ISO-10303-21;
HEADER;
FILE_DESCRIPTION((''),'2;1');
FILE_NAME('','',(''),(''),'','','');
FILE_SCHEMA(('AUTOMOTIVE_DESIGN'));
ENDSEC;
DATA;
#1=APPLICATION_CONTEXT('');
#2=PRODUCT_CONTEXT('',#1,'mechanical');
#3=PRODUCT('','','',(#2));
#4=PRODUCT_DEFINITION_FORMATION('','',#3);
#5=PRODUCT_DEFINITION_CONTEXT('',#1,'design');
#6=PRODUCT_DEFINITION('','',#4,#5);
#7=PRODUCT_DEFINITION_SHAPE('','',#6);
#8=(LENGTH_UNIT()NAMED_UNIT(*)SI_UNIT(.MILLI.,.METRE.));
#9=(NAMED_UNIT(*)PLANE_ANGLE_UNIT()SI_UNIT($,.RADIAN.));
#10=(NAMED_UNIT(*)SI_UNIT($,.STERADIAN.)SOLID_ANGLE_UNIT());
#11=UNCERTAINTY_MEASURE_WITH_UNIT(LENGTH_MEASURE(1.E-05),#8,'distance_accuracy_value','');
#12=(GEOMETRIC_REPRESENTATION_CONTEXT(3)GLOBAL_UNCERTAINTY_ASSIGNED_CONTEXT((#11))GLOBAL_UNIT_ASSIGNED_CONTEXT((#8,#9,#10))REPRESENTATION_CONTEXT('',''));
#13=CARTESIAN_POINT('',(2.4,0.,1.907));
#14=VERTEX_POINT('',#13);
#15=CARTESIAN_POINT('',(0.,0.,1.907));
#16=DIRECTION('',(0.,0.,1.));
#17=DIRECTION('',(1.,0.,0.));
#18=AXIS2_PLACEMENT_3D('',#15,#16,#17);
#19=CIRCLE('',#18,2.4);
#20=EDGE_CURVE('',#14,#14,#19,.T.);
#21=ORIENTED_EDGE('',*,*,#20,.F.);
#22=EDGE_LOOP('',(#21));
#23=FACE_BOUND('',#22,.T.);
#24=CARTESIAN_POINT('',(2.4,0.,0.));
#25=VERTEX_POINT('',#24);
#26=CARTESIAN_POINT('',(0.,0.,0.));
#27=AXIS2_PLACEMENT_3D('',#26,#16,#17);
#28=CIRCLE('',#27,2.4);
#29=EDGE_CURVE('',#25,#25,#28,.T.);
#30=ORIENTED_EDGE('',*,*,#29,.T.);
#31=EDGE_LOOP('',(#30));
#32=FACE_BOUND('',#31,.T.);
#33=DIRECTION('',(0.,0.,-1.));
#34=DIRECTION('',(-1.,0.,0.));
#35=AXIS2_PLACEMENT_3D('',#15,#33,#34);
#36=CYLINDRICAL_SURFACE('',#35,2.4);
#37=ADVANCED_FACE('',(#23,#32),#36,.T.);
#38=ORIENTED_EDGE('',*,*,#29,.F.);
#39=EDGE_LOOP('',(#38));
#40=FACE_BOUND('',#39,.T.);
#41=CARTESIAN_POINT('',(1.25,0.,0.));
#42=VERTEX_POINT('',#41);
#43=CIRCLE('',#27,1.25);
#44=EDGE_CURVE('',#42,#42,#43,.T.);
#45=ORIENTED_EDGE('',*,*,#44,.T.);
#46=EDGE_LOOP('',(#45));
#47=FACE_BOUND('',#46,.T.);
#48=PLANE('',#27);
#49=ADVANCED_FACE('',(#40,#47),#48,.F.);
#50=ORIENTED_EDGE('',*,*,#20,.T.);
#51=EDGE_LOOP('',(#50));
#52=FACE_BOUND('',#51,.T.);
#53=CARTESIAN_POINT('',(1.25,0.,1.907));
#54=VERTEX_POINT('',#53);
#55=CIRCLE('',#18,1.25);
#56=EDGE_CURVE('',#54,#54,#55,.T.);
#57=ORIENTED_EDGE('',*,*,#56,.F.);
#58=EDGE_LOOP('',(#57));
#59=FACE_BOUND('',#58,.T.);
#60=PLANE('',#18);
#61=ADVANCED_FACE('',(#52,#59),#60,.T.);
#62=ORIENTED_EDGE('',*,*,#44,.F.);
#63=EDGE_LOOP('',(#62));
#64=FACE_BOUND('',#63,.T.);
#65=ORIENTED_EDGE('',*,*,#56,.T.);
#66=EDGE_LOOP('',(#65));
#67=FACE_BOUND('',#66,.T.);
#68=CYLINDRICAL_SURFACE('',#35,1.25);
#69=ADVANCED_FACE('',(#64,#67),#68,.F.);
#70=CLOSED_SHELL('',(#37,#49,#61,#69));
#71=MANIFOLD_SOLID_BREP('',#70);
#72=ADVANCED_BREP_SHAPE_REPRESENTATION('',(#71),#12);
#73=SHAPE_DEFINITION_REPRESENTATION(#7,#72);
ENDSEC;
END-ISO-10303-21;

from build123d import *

# Parameters (mm, degrees)
SKETCH2_R           = 2.4
SKETCH2_R_2         = 1.25
BOSS_EXTRUDE1_DEPTH = 1.907


with BuildPart() as part:
    # Sketch2 → Boss-Extrude1 (new body)
    with BuildSketch(Plane.XY):
        Circle(SKETCH2_R)
        Circle(SKETCH2_R_2, mode=Mode.SUBTRACT)
    extrude(amount=BOSS_EXTRUDE1_DEPTH)


solid = part.part
